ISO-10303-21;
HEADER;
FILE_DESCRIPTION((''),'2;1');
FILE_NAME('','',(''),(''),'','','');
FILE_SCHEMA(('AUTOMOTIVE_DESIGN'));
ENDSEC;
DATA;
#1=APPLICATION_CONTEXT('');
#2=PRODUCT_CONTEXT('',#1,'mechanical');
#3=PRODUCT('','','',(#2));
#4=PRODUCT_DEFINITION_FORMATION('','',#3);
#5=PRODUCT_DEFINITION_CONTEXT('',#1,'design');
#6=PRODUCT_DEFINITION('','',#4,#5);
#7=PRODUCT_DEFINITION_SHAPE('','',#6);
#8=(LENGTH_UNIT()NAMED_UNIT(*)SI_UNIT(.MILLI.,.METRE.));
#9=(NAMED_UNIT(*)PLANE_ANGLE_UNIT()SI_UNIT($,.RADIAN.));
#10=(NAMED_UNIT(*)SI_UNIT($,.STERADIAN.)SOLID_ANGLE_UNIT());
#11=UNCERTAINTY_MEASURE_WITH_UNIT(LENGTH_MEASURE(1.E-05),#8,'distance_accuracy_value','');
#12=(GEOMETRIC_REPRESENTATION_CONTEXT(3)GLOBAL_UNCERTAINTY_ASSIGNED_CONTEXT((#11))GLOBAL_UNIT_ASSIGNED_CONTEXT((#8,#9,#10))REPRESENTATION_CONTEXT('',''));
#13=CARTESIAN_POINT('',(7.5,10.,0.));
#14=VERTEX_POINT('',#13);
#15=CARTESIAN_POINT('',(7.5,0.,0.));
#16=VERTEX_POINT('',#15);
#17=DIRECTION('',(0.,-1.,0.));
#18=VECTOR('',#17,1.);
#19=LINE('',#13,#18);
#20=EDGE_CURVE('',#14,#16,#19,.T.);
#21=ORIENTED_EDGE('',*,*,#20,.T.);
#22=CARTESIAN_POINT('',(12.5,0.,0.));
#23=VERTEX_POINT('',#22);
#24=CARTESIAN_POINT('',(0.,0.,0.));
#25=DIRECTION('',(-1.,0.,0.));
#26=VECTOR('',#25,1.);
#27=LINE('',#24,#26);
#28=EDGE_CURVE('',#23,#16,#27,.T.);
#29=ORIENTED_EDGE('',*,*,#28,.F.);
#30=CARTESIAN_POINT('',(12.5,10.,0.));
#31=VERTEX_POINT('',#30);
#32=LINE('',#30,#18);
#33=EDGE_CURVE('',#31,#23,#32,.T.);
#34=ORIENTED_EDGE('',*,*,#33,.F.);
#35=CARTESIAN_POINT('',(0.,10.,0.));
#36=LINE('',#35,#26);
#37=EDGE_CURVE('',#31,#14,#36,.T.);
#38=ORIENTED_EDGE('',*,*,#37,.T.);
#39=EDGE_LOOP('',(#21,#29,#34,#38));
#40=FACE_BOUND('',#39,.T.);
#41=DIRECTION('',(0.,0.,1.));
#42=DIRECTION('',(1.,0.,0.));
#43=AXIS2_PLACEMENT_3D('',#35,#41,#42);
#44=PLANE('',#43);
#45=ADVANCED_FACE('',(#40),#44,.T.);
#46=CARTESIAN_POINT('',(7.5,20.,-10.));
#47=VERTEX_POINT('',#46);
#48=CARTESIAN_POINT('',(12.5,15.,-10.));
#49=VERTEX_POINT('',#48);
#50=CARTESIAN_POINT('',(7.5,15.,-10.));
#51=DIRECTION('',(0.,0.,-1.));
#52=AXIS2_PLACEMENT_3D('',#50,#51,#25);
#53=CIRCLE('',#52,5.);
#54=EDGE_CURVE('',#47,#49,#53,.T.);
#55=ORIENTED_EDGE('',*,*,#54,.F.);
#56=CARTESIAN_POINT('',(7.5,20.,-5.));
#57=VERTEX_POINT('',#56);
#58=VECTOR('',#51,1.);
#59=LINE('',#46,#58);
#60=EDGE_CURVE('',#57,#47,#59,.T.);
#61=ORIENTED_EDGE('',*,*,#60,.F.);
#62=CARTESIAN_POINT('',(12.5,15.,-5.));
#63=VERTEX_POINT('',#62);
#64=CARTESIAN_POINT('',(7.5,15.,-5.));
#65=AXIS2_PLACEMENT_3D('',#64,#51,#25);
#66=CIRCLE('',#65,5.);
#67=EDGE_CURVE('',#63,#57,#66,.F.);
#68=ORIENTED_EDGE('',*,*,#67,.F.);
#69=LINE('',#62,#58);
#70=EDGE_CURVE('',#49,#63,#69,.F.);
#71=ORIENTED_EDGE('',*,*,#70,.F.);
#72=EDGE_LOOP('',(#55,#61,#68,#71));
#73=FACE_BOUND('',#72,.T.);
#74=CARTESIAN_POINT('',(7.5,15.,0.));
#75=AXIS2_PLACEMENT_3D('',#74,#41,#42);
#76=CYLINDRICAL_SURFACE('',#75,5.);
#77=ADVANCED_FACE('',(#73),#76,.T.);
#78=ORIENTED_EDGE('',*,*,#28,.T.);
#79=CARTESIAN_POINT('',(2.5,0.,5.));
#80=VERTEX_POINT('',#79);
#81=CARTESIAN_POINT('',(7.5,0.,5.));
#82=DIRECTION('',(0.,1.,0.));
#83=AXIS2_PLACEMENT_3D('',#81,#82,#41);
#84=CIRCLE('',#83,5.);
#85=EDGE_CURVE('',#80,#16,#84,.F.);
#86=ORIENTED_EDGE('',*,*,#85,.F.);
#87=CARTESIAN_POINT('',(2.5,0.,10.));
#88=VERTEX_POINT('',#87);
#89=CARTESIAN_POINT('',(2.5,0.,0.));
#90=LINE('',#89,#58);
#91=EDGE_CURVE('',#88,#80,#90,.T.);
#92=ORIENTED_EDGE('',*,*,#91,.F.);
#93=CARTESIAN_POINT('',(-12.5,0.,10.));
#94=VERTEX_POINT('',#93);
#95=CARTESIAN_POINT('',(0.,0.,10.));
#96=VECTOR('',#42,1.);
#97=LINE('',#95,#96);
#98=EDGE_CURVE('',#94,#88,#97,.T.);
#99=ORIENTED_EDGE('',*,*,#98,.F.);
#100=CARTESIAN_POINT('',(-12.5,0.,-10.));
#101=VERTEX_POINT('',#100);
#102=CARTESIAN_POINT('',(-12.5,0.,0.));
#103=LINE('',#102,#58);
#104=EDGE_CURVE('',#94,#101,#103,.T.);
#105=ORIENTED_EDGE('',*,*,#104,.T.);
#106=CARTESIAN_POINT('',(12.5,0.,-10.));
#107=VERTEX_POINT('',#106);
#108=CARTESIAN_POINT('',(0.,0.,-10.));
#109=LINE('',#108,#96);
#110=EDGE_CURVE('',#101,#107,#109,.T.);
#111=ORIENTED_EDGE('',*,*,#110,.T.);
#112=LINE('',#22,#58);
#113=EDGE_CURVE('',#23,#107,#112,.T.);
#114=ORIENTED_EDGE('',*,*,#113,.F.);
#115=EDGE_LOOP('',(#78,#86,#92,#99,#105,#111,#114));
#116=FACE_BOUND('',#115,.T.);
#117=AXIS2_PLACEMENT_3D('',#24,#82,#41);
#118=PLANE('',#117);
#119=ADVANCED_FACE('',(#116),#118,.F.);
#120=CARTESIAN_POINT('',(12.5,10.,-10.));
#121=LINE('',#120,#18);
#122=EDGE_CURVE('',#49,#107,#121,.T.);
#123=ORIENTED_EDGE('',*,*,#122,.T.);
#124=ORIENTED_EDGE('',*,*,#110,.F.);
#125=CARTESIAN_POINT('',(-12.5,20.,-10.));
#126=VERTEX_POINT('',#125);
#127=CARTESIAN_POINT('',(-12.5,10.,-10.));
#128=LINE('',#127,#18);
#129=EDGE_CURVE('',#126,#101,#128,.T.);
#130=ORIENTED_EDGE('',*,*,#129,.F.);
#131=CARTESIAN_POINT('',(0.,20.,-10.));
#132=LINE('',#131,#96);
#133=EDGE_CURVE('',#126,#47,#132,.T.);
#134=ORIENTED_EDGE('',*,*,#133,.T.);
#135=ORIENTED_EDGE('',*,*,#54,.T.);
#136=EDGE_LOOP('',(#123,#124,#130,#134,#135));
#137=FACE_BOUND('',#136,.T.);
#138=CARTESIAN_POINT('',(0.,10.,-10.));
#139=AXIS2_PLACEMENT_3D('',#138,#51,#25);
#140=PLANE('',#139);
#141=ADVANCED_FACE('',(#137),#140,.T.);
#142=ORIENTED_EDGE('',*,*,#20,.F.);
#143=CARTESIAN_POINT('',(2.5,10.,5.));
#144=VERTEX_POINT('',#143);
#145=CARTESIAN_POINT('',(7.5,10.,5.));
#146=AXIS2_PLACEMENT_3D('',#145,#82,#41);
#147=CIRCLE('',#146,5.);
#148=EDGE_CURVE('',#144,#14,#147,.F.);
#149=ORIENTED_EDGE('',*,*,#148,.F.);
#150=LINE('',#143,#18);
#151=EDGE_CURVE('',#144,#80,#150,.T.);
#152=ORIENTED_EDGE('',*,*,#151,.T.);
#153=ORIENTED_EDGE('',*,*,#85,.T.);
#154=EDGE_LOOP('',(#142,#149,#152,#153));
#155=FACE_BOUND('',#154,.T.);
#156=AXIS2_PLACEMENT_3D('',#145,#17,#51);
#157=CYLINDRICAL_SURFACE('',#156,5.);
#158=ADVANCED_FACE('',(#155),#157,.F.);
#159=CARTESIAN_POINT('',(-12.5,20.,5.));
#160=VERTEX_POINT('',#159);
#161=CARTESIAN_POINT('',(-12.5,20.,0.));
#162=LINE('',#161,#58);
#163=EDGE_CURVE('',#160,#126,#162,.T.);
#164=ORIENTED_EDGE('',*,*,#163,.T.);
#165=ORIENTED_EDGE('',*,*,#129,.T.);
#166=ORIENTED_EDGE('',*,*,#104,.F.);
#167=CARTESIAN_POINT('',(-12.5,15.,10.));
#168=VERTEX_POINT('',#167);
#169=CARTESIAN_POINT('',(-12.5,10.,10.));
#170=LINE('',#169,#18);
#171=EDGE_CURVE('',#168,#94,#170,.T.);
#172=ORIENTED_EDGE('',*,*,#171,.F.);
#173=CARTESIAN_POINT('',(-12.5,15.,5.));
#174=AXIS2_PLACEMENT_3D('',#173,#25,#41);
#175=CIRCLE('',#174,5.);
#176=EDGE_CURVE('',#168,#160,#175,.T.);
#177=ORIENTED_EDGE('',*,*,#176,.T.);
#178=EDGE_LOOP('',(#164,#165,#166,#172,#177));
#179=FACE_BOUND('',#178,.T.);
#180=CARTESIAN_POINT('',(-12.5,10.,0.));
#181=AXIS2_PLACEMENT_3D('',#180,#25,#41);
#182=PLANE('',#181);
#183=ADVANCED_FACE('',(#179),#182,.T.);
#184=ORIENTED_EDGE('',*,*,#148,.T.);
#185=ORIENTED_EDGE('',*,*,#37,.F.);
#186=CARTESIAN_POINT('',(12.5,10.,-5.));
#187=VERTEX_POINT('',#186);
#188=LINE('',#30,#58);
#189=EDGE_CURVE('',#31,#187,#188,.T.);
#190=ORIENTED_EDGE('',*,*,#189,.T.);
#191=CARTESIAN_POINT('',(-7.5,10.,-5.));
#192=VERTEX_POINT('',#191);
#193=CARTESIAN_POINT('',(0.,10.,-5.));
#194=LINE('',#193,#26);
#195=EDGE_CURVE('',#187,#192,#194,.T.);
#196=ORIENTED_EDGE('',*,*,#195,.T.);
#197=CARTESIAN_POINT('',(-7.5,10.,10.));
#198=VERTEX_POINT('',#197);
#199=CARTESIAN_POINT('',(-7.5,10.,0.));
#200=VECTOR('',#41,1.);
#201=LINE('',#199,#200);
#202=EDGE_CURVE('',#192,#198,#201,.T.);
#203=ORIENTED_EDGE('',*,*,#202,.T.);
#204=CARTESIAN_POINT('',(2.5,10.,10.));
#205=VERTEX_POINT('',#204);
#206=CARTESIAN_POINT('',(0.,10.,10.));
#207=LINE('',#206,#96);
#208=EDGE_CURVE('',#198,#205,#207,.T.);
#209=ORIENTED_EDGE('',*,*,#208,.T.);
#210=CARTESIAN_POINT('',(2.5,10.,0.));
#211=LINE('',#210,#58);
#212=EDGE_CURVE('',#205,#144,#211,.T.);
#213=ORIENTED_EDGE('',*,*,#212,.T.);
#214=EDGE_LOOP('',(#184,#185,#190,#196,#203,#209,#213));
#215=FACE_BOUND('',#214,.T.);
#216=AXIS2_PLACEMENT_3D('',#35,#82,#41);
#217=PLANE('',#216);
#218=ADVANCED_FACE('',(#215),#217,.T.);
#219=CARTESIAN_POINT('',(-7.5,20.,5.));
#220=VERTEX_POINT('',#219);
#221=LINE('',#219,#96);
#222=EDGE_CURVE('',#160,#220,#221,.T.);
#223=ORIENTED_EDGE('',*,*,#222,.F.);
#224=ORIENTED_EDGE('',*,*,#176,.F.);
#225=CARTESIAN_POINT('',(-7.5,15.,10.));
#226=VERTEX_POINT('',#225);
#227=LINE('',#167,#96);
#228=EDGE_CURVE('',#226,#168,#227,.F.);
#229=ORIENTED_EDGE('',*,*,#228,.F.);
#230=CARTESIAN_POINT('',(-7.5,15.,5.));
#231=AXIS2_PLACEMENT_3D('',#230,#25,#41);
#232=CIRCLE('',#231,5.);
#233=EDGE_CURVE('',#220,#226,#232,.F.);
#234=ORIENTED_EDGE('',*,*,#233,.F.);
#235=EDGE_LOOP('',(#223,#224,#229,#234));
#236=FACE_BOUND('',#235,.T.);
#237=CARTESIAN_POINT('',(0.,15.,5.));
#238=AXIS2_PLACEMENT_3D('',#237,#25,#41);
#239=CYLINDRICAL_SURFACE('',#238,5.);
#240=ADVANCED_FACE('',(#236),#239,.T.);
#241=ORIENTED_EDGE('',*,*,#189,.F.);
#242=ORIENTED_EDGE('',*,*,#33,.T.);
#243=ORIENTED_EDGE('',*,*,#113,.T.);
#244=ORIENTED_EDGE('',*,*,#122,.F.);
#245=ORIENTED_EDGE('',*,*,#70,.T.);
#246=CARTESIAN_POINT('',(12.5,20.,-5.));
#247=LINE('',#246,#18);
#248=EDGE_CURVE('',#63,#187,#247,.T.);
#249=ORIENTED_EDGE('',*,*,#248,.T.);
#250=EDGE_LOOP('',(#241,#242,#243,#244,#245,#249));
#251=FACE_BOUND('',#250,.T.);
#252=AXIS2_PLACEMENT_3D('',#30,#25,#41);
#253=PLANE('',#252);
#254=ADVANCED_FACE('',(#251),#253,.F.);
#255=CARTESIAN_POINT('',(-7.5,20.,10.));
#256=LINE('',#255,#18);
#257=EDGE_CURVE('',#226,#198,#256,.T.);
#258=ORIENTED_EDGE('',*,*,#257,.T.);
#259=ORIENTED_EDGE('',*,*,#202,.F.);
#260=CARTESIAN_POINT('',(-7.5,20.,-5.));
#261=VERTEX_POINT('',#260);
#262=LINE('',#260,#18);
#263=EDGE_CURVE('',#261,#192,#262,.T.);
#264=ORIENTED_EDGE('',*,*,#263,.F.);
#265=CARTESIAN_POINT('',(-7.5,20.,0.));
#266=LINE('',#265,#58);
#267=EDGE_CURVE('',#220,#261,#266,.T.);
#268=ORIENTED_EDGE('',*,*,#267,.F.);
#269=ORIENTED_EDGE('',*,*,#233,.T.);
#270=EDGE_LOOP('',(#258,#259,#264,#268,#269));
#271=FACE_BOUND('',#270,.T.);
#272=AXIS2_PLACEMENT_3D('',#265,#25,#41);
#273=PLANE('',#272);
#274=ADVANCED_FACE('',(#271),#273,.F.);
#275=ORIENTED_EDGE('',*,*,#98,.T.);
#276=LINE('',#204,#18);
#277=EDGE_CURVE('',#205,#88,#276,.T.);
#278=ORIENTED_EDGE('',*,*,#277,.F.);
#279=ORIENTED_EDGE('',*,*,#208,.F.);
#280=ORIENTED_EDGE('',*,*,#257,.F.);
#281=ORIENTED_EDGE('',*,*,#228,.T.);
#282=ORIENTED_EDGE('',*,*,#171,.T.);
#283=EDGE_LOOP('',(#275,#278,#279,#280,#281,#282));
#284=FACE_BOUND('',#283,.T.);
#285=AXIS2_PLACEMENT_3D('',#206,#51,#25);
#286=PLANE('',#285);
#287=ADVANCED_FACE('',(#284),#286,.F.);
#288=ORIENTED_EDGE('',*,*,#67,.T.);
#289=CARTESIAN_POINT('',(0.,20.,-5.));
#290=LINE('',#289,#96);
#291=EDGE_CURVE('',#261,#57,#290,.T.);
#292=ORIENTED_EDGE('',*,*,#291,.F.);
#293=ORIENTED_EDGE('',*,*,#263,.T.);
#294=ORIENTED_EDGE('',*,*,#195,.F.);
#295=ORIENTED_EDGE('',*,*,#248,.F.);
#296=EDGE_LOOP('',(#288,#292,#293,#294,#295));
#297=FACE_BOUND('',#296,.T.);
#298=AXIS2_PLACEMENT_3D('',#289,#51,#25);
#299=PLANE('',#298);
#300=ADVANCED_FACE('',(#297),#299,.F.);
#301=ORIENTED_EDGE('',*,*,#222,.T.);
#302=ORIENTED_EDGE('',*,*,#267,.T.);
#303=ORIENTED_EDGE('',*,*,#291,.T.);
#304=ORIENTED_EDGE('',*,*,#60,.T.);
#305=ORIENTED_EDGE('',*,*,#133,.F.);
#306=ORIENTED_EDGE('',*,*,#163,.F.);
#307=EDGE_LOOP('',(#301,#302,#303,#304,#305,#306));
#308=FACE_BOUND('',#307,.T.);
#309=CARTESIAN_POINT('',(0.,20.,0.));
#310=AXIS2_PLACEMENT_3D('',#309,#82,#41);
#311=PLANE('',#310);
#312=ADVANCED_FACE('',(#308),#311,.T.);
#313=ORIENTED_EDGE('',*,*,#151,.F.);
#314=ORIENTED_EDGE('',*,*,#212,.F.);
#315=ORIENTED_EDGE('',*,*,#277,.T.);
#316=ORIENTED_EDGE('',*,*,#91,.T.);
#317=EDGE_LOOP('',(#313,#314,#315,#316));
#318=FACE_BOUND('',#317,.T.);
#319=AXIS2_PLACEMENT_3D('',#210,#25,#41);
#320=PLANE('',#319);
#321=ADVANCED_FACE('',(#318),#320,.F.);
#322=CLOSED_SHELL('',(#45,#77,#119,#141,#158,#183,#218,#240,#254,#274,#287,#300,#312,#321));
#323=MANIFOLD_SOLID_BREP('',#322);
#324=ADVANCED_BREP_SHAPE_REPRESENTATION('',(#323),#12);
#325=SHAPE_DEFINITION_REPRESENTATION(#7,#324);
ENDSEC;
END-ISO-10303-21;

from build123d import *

# Parameters (mm, degrees)
EXTRUDE_1_DEPTH = 10
EXTRUDE_2_DEPTH = 20
FILLET_1_R      = 5


with BuildPart() as part:
    # 草圖1 → 填料-伸長1 (new body)
    with BuildSketch(Plane(origin=(0, 0, 0), x_dir=(1, 0, 0), z_dir=(0, 1, 0))):
        with BuildLine():
            Line((-12.5, -10), (2.5, -10))
            Line((2.5, -10), (2.5, -5))
            ThreePointArc((2.5, -5), (3.964466094, -1.464466094), (7.5, 0))
            Line((7.5, 0), (12.5, 0))
            Line((12.5, 0), (12.5, 10))
            Line((12.5, 10), (-12.5, 10))
            Line((-12.5, 10), (-12.5, -10))
        make_face()
    extrude(amount=EXTRUDE_1_DEPTH)

    # 草圖1<3> → 填料-伸長2 (add)
    with BuildSketch(Plane(origin=(0, 0, 0), x_dir=(1, 0, 0), z_dir=(0, 1, 0))):
        Polygon((-12.5, 5), (-12.5, -10), (-7.5, -10), (-7.5, 5), (12.5, 5), (12.5, 10), (-7.5, 10), (-12.5, 10), align=None)
    extrude(amount=EXTRUDE_2_DEPTH)

    # 圓角1
    fillet_1_edges = [part.edges().sort_by_distance(p)[0] for p in [
        (-10, 20, 10),
        (12.5, 20, -7.5),
    ]]
    fillet(fillet_1_edges, radius=FILLET_1_R)


solid = part.part
